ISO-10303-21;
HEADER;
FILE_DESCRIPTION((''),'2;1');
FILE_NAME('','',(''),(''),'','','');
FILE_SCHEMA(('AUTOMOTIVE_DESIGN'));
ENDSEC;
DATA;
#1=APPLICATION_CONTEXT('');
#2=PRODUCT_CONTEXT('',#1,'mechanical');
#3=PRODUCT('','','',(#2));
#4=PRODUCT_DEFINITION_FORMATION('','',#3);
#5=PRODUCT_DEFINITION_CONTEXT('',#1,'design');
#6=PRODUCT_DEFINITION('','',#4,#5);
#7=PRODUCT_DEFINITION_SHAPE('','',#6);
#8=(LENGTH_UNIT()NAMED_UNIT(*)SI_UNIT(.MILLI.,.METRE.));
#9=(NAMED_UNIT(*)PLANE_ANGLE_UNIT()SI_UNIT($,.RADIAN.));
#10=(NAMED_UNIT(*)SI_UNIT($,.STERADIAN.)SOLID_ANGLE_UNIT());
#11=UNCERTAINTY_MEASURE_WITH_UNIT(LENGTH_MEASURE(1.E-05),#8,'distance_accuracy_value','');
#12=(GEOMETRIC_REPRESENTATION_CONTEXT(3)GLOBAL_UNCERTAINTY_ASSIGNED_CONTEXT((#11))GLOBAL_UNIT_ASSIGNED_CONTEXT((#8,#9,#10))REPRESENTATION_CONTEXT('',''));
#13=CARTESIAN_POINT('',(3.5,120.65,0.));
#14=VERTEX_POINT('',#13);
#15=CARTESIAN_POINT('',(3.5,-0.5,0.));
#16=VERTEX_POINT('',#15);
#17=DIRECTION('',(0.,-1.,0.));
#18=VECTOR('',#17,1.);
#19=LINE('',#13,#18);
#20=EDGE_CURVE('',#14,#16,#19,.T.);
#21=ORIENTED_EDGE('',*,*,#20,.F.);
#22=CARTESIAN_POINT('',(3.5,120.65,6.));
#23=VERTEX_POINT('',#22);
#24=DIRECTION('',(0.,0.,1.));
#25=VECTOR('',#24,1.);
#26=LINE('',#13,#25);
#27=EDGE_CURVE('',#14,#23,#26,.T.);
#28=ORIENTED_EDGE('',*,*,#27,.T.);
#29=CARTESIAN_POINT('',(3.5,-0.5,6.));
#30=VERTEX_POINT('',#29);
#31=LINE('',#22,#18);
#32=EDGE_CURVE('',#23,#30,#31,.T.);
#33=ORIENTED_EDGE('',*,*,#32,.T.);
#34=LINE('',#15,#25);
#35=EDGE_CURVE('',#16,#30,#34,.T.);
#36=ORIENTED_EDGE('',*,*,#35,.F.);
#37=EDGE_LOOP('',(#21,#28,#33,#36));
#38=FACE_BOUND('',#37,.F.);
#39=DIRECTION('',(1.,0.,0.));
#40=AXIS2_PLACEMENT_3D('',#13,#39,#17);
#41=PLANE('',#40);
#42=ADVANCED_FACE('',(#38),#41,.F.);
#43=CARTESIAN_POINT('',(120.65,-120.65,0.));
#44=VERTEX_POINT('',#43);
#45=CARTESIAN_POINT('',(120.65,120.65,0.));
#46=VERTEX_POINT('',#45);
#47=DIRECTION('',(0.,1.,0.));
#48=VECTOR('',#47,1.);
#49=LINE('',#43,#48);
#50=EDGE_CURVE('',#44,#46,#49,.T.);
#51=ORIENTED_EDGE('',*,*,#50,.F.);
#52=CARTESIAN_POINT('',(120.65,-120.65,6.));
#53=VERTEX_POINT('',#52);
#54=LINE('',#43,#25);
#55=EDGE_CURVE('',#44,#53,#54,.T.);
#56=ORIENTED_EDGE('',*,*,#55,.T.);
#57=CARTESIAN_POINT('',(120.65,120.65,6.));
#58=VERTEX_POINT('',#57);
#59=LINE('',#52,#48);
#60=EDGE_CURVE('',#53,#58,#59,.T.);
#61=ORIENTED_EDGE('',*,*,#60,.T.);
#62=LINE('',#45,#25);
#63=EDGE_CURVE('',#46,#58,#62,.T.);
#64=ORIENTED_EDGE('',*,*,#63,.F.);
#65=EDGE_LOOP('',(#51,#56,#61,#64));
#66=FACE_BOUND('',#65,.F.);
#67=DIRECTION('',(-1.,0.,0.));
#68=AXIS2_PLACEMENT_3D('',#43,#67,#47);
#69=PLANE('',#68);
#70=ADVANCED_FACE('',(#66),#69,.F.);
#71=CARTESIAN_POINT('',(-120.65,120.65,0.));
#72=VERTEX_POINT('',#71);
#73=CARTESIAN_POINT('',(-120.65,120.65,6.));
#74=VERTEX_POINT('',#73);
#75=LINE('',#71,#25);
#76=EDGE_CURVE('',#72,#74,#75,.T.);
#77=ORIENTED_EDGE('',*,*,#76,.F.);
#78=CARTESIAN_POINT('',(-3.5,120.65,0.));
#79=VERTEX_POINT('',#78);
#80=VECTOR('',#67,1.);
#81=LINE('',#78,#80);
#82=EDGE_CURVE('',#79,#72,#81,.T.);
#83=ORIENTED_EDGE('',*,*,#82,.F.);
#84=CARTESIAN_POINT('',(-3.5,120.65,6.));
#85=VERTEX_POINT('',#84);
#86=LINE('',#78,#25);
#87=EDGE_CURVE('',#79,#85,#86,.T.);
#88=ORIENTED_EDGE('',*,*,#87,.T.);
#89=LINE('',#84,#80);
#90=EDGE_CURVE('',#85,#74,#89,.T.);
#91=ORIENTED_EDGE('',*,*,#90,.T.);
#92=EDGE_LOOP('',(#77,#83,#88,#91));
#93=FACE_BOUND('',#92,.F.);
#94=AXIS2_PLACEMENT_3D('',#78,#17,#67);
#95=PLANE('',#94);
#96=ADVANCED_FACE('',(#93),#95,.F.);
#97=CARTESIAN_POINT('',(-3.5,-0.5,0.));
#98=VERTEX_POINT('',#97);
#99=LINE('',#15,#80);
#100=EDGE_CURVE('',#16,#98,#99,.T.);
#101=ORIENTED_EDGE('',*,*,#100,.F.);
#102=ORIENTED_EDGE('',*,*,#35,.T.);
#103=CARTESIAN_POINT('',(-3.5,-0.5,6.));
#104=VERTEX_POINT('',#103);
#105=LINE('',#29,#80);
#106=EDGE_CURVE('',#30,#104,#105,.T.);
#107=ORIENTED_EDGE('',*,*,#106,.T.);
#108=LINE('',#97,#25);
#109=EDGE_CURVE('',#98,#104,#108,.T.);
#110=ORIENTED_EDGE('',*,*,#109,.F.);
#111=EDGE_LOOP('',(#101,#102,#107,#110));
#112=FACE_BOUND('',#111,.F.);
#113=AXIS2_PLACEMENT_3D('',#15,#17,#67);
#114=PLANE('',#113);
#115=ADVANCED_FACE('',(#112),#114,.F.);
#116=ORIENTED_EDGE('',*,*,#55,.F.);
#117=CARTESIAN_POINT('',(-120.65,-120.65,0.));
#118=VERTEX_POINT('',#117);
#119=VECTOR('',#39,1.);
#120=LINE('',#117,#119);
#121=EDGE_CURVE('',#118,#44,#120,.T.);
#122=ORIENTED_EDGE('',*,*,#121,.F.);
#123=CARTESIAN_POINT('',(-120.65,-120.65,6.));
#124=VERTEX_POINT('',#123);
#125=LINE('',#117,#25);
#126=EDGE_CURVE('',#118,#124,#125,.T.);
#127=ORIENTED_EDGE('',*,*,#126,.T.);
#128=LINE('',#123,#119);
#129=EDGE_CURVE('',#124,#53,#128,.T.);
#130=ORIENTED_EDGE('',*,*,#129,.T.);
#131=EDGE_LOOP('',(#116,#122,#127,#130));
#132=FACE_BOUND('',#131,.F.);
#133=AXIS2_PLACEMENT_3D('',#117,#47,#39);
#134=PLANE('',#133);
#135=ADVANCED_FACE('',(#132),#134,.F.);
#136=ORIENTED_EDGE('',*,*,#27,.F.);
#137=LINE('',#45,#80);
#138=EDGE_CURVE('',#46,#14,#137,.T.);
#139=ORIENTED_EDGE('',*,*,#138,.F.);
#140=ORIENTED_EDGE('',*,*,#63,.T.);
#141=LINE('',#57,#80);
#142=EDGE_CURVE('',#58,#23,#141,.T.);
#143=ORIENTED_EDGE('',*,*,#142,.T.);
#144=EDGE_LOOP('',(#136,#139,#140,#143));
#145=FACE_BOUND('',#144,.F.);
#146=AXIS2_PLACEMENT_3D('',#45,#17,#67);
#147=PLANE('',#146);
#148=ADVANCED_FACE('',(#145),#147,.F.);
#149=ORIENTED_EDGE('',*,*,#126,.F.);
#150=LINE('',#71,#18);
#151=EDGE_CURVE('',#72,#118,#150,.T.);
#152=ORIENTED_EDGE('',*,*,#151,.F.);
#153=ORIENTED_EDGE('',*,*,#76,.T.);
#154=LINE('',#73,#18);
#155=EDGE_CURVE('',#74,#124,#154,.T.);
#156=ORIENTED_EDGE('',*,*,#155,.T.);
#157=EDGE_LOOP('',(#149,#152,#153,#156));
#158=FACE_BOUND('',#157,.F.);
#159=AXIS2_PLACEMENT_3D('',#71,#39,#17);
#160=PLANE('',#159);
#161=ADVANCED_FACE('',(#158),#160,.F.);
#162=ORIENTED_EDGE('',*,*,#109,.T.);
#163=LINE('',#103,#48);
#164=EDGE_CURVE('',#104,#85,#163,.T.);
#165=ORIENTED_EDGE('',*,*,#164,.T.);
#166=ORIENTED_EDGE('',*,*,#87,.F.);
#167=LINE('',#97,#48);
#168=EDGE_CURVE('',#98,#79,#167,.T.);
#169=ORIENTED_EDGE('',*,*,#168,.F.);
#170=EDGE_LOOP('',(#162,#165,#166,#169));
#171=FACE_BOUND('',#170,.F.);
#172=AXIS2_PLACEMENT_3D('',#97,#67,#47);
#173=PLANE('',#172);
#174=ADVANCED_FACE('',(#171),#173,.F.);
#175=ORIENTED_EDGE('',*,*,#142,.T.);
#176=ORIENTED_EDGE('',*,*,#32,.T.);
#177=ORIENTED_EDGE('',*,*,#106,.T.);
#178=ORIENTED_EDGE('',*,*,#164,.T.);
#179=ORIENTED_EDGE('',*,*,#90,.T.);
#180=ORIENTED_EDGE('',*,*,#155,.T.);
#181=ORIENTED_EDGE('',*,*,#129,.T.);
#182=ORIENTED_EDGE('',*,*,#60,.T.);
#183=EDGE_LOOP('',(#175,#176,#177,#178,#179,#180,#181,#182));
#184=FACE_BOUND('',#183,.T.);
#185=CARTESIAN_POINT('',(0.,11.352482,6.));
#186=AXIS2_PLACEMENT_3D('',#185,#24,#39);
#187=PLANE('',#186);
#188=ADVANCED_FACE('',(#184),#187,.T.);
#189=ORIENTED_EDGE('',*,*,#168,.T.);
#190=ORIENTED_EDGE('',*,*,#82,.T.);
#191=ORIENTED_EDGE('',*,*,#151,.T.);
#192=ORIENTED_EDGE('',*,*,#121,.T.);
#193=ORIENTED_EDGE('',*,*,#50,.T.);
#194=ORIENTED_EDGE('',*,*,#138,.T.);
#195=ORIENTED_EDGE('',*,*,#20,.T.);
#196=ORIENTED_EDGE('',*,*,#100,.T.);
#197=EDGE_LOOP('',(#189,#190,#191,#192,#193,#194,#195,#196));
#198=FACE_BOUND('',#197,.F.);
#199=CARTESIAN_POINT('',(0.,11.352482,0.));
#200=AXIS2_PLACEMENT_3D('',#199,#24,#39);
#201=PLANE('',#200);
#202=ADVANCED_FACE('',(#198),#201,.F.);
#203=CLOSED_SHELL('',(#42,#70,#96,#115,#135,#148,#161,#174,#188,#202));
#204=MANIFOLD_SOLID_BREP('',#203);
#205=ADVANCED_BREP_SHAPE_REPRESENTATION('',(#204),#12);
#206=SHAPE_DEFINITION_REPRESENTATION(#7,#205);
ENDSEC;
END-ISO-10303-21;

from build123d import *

# Parameters (mm, degrees)
PAD_DEPTH = 6


with BuildPart() as part:
    # Sketch → Pad (new body)
    with BuildSketch(Plane.XY):
        Polygon((-120.65, 120.65), (-120.65, -120.65), (120.65, -120.65), (120.65, 120.65), (3.5, 120.65), (3.5, -0.5), (-3.5, -0.5), (-3.5, 120.65), align=None)
    extrude(amount=PAD_DEPTH)


solid = part.part
